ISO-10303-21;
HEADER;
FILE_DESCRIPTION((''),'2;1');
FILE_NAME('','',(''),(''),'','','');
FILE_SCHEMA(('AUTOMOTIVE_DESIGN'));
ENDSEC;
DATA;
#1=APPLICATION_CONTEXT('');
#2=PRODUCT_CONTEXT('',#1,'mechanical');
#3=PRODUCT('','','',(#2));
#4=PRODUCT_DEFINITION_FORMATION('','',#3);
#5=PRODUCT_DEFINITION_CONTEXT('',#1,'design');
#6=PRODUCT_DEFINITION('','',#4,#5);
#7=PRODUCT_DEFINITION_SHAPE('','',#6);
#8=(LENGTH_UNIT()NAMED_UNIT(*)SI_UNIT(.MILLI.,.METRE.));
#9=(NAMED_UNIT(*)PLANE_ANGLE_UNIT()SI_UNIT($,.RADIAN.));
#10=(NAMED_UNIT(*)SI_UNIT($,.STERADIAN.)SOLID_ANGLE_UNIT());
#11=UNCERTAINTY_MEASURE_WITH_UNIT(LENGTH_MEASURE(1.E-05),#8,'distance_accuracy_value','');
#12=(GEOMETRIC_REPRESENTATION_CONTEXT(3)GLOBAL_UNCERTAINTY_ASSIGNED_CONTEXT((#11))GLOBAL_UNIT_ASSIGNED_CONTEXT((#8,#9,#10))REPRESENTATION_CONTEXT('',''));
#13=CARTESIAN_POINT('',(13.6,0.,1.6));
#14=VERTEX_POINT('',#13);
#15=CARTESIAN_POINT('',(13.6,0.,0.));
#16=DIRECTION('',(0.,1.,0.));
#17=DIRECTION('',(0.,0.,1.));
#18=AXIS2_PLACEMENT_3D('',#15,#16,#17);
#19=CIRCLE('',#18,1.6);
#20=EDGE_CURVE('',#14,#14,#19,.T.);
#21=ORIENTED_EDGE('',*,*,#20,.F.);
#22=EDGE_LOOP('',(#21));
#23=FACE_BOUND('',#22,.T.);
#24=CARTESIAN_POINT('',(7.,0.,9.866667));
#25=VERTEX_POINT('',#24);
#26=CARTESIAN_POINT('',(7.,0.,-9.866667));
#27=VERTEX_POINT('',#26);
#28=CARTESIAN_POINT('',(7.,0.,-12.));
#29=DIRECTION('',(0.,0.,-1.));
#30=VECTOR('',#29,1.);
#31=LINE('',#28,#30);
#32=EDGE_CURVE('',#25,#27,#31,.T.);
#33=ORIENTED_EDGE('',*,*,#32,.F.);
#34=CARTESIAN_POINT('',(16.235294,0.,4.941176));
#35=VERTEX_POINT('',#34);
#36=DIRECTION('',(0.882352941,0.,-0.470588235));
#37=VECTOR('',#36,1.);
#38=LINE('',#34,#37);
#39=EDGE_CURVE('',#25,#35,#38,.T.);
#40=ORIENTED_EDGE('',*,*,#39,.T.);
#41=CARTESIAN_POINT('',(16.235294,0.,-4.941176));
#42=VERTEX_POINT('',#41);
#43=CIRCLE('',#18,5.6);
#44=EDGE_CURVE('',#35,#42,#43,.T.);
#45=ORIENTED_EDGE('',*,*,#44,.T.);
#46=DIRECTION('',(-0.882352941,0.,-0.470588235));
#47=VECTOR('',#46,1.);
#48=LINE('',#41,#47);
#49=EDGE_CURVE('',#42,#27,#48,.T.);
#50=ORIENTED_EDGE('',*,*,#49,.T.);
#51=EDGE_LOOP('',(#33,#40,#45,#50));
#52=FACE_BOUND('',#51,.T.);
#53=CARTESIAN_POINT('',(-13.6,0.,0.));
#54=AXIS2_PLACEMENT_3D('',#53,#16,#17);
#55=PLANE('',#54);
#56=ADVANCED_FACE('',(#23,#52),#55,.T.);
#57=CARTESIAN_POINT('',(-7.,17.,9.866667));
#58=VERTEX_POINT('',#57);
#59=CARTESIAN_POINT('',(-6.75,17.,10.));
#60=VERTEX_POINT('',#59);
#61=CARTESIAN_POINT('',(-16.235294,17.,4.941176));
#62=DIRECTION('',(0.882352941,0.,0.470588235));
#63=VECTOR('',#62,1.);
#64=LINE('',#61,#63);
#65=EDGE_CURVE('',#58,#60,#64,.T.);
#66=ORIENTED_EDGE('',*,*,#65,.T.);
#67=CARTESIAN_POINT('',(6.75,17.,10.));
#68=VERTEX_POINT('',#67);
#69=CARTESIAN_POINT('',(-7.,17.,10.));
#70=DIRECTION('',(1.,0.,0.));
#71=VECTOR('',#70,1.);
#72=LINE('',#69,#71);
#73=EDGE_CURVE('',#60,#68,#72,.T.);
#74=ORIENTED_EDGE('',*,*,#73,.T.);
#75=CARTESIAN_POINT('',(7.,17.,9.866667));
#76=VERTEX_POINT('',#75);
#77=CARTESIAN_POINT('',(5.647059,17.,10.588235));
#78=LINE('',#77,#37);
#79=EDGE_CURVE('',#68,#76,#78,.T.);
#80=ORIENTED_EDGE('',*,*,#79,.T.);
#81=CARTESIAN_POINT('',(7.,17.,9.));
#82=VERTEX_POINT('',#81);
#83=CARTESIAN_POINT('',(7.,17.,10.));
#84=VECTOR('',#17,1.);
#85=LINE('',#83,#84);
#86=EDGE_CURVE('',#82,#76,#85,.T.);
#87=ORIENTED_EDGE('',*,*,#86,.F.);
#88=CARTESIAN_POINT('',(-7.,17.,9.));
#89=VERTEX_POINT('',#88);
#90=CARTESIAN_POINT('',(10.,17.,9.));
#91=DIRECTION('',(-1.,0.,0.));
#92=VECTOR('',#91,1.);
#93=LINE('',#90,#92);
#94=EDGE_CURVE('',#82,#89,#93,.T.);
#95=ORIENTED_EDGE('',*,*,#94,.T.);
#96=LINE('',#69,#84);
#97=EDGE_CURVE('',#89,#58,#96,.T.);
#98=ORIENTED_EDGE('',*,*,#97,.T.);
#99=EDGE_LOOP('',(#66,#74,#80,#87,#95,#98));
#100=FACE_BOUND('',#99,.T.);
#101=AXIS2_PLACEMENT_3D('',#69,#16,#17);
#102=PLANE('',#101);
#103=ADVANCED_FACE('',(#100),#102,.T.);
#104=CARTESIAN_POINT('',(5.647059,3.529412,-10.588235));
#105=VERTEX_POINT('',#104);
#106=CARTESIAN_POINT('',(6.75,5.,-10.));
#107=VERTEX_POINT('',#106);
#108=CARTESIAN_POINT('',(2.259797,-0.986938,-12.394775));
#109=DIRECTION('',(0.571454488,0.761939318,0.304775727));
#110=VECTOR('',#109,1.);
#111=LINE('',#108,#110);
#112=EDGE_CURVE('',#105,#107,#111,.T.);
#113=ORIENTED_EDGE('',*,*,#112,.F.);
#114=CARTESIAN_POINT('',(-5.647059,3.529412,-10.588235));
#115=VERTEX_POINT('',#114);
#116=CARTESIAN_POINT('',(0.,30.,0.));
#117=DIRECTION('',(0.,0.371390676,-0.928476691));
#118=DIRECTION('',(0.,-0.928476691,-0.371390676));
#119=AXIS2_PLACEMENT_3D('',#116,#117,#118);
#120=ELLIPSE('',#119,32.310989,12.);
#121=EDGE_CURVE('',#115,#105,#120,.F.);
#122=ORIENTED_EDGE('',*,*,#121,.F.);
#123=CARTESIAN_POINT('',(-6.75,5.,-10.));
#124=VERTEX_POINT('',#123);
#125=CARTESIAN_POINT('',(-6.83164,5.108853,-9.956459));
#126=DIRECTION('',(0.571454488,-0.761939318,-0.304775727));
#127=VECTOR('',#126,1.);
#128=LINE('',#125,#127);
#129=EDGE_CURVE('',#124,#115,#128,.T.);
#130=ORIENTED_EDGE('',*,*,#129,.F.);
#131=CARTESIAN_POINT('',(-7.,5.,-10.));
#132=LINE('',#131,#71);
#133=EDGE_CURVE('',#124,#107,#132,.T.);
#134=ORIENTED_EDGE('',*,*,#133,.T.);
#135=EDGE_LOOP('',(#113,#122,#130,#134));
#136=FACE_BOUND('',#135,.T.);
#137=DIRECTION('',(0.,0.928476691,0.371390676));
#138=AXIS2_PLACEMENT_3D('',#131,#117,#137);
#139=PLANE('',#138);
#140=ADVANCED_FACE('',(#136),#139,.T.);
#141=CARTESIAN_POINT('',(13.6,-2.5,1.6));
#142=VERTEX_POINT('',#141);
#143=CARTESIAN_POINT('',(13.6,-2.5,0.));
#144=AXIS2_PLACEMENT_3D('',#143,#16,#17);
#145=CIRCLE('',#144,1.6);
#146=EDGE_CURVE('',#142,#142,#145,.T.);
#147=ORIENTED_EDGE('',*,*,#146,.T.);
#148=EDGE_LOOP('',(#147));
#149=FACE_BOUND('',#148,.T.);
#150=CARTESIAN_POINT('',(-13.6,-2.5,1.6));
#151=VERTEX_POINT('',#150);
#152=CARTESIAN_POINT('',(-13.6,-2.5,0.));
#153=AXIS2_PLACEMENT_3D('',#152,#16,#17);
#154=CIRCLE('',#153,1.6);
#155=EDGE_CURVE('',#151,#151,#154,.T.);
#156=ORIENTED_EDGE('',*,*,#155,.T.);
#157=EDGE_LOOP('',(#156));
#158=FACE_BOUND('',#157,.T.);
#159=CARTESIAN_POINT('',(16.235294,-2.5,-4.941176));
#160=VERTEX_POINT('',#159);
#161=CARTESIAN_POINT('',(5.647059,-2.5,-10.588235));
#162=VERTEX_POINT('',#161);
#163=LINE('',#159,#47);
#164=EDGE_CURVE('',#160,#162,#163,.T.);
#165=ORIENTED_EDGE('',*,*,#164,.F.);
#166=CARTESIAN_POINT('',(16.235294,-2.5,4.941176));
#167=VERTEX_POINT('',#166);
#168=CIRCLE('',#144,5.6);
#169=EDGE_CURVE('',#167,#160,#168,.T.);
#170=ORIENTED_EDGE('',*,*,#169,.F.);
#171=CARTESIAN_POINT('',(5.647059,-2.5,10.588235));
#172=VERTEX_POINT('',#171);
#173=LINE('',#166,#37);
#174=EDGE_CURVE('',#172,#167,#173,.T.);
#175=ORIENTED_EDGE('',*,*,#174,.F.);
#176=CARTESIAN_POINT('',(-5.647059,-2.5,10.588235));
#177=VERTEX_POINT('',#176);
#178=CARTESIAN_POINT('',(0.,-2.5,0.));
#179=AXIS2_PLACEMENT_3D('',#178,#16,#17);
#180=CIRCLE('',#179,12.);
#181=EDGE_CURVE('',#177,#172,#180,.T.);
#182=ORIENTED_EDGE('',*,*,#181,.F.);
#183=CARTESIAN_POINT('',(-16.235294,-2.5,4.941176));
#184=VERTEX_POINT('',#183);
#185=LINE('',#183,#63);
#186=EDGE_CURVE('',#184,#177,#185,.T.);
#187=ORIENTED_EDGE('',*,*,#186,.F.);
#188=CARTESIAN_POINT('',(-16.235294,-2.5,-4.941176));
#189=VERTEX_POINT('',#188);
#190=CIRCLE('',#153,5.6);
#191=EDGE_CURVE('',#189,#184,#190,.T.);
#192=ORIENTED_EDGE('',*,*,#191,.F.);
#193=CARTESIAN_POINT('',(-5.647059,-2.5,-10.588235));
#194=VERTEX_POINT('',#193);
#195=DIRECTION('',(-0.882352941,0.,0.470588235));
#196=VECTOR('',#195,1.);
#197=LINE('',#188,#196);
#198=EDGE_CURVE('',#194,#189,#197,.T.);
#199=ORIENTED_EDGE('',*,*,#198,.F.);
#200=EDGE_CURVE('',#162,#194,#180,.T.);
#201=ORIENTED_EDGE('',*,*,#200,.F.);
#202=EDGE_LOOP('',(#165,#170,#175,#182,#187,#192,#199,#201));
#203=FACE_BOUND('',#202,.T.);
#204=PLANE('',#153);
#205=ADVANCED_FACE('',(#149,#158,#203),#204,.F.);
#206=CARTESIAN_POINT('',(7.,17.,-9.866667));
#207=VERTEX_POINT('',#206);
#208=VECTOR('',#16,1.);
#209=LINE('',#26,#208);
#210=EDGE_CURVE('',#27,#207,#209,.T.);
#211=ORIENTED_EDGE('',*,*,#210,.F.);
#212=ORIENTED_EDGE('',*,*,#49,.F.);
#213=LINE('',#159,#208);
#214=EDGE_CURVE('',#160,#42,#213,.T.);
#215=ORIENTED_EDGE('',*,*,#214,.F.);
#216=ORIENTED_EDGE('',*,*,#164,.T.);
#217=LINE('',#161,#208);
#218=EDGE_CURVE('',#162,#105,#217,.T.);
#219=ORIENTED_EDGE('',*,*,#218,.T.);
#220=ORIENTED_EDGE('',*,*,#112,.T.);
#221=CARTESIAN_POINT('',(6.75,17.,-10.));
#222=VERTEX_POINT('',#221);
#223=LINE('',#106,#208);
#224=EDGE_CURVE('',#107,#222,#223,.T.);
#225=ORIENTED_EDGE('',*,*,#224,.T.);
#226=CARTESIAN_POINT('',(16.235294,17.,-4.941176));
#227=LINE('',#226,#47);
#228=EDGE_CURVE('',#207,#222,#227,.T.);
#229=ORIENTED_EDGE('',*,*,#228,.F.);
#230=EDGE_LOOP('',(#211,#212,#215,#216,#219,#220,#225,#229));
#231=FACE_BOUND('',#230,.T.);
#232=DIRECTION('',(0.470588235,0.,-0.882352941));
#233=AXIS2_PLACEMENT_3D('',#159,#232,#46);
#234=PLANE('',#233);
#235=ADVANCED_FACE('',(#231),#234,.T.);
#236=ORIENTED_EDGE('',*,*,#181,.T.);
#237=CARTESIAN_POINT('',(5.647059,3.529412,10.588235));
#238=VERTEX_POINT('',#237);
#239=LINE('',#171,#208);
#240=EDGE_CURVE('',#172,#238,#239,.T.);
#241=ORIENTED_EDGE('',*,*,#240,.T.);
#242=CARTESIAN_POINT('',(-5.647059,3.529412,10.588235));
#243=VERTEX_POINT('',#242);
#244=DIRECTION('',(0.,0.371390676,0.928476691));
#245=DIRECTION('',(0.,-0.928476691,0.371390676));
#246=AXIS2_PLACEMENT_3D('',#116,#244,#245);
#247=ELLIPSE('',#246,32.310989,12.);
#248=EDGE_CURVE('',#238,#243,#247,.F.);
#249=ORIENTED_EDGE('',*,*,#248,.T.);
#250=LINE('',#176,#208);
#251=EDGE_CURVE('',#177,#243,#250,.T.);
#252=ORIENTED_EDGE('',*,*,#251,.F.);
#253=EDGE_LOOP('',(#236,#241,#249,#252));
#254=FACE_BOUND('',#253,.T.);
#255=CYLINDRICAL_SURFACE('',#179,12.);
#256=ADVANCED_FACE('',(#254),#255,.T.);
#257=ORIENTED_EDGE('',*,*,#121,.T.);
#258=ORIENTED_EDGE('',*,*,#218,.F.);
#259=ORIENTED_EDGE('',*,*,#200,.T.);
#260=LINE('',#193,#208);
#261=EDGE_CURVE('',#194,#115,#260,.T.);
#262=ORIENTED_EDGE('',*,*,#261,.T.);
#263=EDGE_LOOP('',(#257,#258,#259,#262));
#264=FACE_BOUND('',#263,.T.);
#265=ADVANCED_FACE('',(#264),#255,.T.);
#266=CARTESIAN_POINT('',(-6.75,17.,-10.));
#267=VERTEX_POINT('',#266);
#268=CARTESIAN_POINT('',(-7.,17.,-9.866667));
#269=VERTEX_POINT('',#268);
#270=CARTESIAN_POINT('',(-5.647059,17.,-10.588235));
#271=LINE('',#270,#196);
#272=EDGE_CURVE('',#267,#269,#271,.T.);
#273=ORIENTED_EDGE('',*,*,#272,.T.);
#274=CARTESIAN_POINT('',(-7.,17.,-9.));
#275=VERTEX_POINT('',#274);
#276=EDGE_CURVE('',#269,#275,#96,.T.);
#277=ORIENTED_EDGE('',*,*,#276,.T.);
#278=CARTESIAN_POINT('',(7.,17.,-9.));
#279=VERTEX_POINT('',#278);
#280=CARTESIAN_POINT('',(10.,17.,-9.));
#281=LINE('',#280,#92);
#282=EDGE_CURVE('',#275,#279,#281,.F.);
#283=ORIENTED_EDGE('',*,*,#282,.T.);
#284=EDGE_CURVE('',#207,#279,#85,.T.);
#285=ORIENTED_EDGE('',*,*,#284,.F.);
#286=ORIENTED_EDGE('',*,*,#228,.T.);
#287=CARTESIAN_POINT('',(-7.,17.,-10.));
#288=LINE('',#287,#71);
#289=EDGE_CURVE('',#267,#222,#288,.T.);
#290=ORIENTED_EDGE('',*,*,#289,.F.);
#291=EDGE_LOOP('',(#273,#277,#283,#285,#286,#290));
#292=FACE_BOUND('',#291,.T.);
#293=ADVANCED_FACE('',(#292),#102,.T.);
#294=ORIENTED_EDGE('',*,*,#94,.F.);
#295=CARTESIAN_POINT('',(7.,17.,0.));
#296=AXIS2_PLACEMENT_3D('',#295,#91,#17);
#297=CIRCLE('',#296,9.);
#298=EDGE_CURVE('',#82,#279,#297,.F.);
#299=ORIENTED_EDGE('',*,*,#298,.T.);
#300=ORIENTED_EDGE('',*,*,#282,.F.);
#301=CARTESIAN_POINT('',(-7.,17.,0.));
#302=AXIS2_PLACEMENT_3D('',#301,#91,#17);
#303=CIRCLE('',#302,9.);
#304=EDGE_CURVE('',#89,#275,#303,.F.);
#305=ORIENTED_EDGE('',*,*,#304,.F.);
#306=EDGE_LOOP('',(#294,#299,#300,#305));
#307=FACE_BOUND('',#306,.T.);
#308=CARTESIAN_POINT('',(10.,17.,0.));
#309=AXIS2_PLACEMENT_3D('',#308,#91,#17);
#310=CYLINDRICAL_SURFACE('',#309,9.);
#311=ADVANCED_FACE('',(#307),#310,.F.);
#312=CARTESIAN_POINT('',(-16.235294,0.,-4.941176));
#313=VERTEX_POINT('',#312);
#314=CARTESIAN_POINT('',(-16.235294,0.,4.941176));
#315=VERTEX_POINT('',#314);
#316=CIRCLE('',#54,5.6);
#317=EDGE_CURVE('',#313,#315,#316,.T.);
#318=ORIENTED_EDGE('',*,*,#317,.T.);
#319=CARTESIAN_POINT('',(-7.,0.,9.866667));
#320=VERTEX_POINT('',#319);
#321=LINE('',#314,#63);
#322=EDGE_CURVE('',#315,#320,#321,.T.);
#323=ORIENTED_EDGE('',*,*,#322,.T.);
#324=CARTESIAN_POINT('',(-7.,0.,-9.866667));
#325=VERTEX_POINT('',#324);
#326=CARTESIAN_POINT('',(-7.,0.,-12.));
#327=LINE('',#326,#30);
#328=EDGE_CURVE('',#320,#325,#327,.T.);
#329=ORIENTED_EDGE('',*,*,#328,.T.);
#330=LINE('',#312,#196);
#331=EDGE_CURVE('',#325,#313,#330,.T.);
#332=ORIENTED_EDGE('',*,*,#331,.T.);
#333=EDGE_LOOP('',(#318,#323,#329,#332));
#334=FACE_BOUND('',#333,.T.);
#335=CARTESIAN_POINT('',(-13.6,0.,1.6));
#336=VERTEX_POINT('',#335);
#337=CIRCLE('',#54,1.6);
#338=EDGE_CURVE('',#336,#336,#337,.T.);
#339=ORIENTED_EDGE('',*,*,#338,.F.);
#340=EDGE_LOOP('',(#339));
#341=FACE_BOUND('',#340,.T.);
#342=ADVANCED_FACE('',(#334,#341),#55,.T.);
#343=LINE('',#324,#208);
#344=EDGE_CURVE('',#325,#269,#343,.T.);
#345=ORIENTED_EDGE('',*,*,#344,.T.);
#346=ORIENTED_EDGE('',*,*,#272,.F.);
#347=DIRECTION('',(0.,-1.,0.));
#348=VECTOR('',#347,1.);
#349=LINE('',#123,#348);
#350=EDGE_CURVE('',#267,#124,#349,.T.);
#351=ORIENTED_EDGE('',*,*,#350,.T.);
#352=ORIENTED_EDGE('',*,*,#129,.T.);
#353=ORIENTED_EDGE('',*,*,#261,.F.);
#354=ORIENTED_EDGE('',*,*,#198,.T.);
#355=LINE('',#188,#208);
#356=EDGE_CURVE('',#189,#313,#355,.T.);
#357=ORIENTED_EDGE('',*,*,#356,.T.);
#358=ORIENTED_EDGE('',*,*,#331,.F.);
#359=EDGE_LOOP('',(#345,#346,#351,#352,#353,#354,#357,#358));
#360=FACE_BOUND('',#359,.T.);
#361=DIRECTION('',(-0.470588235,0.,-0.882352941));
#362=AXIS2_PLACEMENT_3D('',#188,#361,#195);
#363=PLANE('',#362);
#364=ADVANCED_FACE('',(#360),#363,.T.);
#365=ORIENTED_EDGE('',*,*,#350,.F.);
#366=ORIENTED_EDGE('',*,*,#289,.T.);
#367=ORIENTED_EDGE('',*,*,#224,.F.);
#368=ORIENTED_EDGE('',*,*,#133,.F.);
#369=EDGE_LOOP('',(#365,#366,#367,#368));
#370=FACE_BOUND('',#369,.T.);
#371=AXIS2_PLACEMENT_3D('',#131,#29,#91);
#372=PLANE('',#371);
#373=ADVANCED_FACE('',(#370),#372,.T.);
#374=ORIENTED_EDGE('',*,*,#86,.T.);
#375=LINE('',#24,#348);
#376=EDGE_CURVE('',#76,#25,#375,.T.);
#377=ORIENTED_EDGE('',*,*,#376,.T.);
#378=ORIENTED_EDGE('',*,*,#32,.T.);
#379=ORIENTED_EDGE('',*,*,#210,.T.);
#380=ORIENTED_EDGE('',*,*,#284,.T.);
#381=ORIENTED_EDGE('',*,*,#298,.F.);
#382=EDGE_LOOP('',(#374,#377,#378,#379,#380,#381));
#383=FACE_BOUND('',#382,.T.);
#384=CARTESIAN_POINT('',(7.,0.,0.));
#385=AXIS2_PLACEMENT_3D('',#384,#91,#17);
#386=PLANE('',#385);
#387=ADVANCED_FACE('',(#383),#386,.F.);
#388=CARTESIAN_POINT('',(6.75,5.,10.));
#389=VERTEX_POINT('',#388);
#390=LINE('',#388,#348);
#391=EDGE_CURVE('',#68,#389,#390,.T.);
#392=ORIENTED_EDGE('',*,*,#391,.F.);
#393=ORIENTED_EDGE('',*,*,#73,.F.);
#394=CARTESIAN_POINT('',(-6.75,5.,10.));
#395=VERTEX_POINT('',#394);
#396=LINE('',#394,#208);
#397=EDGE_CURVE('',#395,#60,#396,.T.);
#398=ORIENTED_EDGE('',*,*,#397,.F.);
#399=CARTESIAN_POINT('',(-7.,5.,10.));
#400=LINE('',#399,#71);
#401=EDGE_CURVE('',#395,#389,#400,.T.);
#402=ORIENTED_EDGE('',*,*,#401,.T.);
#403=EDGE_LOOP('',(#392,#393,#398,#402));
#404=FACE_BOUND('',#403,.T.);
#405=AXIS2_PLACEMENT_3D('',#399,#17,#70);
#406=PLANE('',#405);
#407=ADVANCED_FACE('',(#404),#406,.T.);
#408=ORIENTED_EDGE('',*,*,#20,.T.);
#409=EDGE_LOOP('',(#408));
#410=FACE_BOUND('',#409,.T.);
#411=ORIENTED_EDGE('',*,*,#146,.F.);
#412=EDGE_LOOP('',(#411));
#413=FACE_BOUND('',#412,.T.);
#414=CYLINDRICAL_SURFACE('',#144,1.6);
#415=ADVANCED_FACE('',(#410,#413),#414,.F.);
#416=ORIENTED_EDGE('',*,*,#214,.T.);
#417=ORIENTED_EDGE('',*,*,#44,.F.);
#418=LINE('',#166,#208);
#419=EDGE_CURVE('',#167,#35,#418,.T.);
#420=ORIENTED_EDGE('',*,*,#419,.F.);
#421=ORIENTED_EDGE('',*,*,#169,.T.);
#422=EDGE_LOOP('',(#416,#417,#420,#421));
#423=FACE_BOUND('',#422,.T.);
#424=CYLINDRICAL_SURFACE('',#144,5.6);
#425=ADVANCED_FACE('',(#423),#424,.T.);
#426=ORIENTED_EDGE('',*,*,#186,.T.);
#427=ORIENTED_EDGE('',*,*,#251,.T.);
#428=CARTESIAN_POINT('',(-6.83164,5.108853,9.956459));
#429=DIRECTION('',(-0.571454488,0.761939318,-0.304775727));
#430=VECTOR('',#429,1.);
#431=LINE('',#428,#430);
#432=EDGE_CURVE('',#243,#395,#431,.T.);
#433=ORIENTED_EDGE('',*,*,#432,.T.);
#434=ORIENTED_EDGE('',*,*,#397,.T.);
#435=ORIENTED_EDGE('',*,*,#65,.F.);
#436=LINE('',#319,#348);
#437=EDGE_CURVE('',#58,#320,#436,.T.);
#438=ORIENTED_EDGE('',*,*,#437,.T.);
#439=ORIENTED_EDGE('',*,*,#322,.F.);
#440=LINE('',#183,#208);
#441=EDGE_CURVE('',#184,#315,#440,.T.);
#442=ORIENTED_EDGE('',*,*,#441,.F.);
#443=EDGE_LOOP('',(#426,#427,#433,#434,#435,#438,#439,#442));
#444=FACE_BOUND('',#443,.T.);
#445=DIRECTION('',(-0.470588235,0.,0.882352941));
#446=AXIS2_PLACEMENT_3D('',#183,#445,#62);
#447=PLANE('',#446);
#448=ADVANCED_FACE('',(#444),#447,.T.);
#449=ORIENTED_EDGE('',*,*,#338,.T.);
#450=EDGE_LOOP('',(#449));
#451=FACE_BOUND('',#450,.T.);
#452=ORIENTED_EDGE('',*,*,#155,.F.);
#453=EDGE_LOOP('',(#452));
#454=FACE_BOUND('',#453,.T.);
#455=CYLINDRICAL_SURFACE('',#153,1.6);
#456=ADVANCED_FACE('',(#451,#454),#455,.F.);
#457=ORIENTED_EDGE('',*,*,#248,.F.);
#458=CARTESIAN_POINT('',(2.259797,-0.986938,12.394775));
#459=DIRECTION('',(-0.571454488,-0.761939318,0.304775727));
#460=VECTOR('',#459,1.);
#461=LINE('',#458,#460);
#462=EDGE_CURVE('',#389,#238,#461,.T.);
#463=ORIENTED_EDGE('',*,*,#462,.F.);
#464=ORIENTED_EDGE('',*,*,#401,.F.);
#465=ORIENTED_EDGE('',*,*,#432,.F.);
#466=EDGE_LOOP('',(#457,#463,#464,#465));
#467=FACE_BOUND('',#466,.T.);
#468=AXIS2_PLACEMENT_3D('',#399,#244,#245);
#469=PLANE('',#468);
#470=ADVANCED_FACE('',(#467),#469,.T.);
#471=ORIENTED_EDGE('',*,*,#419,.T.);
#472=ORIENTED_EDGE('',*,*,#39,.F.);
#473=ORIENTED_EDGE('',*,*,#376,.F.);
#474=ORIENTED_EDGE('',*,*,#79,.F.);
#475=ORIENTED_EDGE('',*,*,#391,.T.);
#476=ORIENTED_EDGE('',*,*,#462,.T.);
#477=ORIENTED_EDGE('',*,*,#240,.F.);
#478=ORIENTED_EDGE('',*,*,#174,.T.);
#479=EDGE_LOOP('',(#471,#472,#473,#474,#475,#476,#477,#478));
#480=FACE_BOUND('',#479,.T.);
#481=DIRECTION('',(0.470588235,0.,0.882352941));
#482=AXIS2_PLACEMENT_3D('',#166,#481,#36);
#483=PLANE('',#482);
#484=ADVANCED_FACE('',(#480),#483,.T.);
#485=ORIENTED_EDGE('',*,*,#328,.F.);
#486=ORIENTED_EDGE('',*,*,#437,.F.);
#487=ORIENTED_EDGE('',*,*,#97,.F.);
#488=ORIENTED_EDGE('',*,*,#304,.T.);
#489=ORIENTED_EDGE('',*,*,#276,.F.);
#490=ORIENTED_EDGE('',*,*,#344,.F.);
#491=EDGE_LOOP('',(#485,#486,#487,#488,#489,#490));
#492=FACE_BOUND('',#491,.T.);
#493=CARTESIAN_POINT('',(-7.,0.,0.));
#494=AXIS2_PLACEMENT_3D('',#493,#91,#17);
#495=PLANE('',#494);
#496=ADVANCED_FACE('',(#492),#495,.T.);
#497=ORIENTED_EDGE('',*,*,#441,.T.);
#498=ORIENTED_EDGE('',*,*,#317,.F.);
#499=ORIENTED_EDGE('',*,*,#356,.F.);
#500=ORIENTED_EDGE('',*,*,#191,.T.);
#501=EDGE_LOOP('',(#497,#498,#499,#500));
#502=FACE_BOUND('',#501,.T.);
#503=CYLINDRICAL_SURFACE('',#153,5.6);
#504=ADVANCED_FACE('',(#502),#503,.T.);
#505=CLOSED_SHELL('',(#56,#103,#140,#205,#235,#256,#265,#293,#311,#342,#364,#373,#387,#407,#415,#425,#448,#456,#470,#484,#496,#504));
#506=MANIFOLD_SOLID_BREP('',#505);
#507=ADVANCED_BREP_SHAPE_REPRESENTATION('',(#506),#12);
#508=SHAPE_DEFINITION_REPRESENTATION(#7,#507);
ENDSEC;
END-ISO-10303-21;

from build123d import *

# Parameters (mm, degrees)
SKETCH_1_R               = 1.6
EXTRUDE_1_DEPTH          = 2.5
EXTRUDE_2_DEPTH          = 7
EXTRUDE_2_DEPTH_BACK     = 7
SKETCH_4_R               = 25
CUT_EXTRUDE_3_DEPTH      = 29.313247783
CUT_EXTRUDE_4_DEPTH      = 10
CUT_EXTRUDE_4_DEPTH_BACK = 10
SKETCH_7_R               = 9


with BuildPart() as part:
    # 草图1 → 凸台-拉伸1 (new body)
    with BuildSketch(Plane(origin=(0, 0, 0), x_dir=(1, 0, 0), z_dir=(0, 1, 0))):
        with BuildLine():
            Line((16.235294118, -4.941176471), (5.647058824, -10.588235294))
            ThreePointArc((5.647058824, -10.588235294), (0, -12), (-5.647058824, -10.588235294))
            Line((-5.647058824, -10.588235294), (-16.235294118, -4.941176471))
            ThreePointArc((-16.235294118, -4.941176471), (-19.2, 0), (-16.235294118, 4.941176471))
            Line((-16.235294118, 4.941176471), (-5.647058824, 10.588235294))
            ThreePointArc((-5.647058824, 10.588235294), (0, 12), (5.647058824, 10.588235294))
            Line((5.647058824, 10.588235294), (16.235294118, 4.941176471))
            ThreePointArc((16.235294118, 4.941176471), (19.2, 0), (16.235294118, -4.941176471))
        make_face()
        with Locations((-13.6, 0)):
            Circle(SKETCH_1_R, mode=Mode.SUBTRACT)
        with Locations((13.6, 0)):
            Circle(SKETCH_1_R, mode=Mode.SUBTRACT)
    extrude(amount=-EXTRUDE_1_DEPTH)

    # 草图2 → 凸台-拉伸2 (add, two sides: drawn at the far end of the back side and taken through both)
    with BuildSketch(Plane(origin=(0, 0, 0), x_dir=(0, 0, -1), z_dir=(1, 0, 0)).offset(-EXTRUDE_2_DEPTH_BACK)):
        Polygon((12, 0), (-12, 0), (-10, 5), (-10, 17), (10, 17), (10, 5), align=None)
    extrude(amount=EXTRUDE_2_DEPTH + EXTRUDE_2_DEPTH_BACK)

    # 草图4 → 切除-拉伸3 (cut, through all)
    with BuildSketch(Plane(origin=(0, 0, 0), x_dir=(1, 0, 0), z_dir=(0, 1, 0))):
        Circle(SKETCH_4_R)
        with BuildLine():
            Line((5.647058824, -10.588235294), (7, -9.866666667))
            Line((7, -9.866666667), (16.235294118, -4.941176471))
            ThreePointArc((16.235294118, -4.941176471), (19.2, 0), (16.235294118, 4.941176471))
            Line((16.235294118, 4.941176471), (7, 9.866666667))
            Line((7, 9.866666667), (5.647058824, 10.588235294))
            ThreePointArc((5.647058824, 10.588235294), (2.9104275, 11.641710002), (0, 12))
            ThreePointArc((0, 12), (-2.9104275, 11.641710002), (-5.647058824, 10.588235294))
            Line((-5.647058824, 10.588235294), (-7, 9.866666667))
            Line((-7, 9.866666667), (-16.235294118, 4.941176471))
            ThreePointArc((-16.235294118, 4.941176471), (-19.2, 0), (-16.235294118, -4.941176471))
            Line((-16.235294118, -4.941176471), (-7, -9.866666667))
            Line((-7, -9.866666667), (-5.647058824, -10.588235294))
            ThreePointArc((-5.647058824, -10.588235294), (-2.9104275, -11.641710002), (0, -12))
            ThreePointArc((0, -12), (2.9104275, -11.641710002), (5.647058824, -10.588235294))
        make_face(mode=Mode.SUBTRACT)
    extrude(amount=CUT_EXTRUDE_3_DEPTH, mode=Mode.SUBTRACT)

    # 草图7 → 切除-拉伸4 (cut, two sides: drawn at the far end of the back side and taken through both)
    with BuildSketch(Plane(origin=(0, 0, 0), x_dir=(0, 0, -1), z_dir=(1, 0, 0)).offset(-CUT_EXTRUDE_4_DEPTH_BACK)):
        with Locations((0, 17)):
            Circle(SKETCH_7_R)
    extrude(amount=CUT_EXTRUDE_4_DEPTH + CUT_EXTRUDE_4_DEPTH_BACK, mode=Mode.SUBTRACT)


solid = part.part
